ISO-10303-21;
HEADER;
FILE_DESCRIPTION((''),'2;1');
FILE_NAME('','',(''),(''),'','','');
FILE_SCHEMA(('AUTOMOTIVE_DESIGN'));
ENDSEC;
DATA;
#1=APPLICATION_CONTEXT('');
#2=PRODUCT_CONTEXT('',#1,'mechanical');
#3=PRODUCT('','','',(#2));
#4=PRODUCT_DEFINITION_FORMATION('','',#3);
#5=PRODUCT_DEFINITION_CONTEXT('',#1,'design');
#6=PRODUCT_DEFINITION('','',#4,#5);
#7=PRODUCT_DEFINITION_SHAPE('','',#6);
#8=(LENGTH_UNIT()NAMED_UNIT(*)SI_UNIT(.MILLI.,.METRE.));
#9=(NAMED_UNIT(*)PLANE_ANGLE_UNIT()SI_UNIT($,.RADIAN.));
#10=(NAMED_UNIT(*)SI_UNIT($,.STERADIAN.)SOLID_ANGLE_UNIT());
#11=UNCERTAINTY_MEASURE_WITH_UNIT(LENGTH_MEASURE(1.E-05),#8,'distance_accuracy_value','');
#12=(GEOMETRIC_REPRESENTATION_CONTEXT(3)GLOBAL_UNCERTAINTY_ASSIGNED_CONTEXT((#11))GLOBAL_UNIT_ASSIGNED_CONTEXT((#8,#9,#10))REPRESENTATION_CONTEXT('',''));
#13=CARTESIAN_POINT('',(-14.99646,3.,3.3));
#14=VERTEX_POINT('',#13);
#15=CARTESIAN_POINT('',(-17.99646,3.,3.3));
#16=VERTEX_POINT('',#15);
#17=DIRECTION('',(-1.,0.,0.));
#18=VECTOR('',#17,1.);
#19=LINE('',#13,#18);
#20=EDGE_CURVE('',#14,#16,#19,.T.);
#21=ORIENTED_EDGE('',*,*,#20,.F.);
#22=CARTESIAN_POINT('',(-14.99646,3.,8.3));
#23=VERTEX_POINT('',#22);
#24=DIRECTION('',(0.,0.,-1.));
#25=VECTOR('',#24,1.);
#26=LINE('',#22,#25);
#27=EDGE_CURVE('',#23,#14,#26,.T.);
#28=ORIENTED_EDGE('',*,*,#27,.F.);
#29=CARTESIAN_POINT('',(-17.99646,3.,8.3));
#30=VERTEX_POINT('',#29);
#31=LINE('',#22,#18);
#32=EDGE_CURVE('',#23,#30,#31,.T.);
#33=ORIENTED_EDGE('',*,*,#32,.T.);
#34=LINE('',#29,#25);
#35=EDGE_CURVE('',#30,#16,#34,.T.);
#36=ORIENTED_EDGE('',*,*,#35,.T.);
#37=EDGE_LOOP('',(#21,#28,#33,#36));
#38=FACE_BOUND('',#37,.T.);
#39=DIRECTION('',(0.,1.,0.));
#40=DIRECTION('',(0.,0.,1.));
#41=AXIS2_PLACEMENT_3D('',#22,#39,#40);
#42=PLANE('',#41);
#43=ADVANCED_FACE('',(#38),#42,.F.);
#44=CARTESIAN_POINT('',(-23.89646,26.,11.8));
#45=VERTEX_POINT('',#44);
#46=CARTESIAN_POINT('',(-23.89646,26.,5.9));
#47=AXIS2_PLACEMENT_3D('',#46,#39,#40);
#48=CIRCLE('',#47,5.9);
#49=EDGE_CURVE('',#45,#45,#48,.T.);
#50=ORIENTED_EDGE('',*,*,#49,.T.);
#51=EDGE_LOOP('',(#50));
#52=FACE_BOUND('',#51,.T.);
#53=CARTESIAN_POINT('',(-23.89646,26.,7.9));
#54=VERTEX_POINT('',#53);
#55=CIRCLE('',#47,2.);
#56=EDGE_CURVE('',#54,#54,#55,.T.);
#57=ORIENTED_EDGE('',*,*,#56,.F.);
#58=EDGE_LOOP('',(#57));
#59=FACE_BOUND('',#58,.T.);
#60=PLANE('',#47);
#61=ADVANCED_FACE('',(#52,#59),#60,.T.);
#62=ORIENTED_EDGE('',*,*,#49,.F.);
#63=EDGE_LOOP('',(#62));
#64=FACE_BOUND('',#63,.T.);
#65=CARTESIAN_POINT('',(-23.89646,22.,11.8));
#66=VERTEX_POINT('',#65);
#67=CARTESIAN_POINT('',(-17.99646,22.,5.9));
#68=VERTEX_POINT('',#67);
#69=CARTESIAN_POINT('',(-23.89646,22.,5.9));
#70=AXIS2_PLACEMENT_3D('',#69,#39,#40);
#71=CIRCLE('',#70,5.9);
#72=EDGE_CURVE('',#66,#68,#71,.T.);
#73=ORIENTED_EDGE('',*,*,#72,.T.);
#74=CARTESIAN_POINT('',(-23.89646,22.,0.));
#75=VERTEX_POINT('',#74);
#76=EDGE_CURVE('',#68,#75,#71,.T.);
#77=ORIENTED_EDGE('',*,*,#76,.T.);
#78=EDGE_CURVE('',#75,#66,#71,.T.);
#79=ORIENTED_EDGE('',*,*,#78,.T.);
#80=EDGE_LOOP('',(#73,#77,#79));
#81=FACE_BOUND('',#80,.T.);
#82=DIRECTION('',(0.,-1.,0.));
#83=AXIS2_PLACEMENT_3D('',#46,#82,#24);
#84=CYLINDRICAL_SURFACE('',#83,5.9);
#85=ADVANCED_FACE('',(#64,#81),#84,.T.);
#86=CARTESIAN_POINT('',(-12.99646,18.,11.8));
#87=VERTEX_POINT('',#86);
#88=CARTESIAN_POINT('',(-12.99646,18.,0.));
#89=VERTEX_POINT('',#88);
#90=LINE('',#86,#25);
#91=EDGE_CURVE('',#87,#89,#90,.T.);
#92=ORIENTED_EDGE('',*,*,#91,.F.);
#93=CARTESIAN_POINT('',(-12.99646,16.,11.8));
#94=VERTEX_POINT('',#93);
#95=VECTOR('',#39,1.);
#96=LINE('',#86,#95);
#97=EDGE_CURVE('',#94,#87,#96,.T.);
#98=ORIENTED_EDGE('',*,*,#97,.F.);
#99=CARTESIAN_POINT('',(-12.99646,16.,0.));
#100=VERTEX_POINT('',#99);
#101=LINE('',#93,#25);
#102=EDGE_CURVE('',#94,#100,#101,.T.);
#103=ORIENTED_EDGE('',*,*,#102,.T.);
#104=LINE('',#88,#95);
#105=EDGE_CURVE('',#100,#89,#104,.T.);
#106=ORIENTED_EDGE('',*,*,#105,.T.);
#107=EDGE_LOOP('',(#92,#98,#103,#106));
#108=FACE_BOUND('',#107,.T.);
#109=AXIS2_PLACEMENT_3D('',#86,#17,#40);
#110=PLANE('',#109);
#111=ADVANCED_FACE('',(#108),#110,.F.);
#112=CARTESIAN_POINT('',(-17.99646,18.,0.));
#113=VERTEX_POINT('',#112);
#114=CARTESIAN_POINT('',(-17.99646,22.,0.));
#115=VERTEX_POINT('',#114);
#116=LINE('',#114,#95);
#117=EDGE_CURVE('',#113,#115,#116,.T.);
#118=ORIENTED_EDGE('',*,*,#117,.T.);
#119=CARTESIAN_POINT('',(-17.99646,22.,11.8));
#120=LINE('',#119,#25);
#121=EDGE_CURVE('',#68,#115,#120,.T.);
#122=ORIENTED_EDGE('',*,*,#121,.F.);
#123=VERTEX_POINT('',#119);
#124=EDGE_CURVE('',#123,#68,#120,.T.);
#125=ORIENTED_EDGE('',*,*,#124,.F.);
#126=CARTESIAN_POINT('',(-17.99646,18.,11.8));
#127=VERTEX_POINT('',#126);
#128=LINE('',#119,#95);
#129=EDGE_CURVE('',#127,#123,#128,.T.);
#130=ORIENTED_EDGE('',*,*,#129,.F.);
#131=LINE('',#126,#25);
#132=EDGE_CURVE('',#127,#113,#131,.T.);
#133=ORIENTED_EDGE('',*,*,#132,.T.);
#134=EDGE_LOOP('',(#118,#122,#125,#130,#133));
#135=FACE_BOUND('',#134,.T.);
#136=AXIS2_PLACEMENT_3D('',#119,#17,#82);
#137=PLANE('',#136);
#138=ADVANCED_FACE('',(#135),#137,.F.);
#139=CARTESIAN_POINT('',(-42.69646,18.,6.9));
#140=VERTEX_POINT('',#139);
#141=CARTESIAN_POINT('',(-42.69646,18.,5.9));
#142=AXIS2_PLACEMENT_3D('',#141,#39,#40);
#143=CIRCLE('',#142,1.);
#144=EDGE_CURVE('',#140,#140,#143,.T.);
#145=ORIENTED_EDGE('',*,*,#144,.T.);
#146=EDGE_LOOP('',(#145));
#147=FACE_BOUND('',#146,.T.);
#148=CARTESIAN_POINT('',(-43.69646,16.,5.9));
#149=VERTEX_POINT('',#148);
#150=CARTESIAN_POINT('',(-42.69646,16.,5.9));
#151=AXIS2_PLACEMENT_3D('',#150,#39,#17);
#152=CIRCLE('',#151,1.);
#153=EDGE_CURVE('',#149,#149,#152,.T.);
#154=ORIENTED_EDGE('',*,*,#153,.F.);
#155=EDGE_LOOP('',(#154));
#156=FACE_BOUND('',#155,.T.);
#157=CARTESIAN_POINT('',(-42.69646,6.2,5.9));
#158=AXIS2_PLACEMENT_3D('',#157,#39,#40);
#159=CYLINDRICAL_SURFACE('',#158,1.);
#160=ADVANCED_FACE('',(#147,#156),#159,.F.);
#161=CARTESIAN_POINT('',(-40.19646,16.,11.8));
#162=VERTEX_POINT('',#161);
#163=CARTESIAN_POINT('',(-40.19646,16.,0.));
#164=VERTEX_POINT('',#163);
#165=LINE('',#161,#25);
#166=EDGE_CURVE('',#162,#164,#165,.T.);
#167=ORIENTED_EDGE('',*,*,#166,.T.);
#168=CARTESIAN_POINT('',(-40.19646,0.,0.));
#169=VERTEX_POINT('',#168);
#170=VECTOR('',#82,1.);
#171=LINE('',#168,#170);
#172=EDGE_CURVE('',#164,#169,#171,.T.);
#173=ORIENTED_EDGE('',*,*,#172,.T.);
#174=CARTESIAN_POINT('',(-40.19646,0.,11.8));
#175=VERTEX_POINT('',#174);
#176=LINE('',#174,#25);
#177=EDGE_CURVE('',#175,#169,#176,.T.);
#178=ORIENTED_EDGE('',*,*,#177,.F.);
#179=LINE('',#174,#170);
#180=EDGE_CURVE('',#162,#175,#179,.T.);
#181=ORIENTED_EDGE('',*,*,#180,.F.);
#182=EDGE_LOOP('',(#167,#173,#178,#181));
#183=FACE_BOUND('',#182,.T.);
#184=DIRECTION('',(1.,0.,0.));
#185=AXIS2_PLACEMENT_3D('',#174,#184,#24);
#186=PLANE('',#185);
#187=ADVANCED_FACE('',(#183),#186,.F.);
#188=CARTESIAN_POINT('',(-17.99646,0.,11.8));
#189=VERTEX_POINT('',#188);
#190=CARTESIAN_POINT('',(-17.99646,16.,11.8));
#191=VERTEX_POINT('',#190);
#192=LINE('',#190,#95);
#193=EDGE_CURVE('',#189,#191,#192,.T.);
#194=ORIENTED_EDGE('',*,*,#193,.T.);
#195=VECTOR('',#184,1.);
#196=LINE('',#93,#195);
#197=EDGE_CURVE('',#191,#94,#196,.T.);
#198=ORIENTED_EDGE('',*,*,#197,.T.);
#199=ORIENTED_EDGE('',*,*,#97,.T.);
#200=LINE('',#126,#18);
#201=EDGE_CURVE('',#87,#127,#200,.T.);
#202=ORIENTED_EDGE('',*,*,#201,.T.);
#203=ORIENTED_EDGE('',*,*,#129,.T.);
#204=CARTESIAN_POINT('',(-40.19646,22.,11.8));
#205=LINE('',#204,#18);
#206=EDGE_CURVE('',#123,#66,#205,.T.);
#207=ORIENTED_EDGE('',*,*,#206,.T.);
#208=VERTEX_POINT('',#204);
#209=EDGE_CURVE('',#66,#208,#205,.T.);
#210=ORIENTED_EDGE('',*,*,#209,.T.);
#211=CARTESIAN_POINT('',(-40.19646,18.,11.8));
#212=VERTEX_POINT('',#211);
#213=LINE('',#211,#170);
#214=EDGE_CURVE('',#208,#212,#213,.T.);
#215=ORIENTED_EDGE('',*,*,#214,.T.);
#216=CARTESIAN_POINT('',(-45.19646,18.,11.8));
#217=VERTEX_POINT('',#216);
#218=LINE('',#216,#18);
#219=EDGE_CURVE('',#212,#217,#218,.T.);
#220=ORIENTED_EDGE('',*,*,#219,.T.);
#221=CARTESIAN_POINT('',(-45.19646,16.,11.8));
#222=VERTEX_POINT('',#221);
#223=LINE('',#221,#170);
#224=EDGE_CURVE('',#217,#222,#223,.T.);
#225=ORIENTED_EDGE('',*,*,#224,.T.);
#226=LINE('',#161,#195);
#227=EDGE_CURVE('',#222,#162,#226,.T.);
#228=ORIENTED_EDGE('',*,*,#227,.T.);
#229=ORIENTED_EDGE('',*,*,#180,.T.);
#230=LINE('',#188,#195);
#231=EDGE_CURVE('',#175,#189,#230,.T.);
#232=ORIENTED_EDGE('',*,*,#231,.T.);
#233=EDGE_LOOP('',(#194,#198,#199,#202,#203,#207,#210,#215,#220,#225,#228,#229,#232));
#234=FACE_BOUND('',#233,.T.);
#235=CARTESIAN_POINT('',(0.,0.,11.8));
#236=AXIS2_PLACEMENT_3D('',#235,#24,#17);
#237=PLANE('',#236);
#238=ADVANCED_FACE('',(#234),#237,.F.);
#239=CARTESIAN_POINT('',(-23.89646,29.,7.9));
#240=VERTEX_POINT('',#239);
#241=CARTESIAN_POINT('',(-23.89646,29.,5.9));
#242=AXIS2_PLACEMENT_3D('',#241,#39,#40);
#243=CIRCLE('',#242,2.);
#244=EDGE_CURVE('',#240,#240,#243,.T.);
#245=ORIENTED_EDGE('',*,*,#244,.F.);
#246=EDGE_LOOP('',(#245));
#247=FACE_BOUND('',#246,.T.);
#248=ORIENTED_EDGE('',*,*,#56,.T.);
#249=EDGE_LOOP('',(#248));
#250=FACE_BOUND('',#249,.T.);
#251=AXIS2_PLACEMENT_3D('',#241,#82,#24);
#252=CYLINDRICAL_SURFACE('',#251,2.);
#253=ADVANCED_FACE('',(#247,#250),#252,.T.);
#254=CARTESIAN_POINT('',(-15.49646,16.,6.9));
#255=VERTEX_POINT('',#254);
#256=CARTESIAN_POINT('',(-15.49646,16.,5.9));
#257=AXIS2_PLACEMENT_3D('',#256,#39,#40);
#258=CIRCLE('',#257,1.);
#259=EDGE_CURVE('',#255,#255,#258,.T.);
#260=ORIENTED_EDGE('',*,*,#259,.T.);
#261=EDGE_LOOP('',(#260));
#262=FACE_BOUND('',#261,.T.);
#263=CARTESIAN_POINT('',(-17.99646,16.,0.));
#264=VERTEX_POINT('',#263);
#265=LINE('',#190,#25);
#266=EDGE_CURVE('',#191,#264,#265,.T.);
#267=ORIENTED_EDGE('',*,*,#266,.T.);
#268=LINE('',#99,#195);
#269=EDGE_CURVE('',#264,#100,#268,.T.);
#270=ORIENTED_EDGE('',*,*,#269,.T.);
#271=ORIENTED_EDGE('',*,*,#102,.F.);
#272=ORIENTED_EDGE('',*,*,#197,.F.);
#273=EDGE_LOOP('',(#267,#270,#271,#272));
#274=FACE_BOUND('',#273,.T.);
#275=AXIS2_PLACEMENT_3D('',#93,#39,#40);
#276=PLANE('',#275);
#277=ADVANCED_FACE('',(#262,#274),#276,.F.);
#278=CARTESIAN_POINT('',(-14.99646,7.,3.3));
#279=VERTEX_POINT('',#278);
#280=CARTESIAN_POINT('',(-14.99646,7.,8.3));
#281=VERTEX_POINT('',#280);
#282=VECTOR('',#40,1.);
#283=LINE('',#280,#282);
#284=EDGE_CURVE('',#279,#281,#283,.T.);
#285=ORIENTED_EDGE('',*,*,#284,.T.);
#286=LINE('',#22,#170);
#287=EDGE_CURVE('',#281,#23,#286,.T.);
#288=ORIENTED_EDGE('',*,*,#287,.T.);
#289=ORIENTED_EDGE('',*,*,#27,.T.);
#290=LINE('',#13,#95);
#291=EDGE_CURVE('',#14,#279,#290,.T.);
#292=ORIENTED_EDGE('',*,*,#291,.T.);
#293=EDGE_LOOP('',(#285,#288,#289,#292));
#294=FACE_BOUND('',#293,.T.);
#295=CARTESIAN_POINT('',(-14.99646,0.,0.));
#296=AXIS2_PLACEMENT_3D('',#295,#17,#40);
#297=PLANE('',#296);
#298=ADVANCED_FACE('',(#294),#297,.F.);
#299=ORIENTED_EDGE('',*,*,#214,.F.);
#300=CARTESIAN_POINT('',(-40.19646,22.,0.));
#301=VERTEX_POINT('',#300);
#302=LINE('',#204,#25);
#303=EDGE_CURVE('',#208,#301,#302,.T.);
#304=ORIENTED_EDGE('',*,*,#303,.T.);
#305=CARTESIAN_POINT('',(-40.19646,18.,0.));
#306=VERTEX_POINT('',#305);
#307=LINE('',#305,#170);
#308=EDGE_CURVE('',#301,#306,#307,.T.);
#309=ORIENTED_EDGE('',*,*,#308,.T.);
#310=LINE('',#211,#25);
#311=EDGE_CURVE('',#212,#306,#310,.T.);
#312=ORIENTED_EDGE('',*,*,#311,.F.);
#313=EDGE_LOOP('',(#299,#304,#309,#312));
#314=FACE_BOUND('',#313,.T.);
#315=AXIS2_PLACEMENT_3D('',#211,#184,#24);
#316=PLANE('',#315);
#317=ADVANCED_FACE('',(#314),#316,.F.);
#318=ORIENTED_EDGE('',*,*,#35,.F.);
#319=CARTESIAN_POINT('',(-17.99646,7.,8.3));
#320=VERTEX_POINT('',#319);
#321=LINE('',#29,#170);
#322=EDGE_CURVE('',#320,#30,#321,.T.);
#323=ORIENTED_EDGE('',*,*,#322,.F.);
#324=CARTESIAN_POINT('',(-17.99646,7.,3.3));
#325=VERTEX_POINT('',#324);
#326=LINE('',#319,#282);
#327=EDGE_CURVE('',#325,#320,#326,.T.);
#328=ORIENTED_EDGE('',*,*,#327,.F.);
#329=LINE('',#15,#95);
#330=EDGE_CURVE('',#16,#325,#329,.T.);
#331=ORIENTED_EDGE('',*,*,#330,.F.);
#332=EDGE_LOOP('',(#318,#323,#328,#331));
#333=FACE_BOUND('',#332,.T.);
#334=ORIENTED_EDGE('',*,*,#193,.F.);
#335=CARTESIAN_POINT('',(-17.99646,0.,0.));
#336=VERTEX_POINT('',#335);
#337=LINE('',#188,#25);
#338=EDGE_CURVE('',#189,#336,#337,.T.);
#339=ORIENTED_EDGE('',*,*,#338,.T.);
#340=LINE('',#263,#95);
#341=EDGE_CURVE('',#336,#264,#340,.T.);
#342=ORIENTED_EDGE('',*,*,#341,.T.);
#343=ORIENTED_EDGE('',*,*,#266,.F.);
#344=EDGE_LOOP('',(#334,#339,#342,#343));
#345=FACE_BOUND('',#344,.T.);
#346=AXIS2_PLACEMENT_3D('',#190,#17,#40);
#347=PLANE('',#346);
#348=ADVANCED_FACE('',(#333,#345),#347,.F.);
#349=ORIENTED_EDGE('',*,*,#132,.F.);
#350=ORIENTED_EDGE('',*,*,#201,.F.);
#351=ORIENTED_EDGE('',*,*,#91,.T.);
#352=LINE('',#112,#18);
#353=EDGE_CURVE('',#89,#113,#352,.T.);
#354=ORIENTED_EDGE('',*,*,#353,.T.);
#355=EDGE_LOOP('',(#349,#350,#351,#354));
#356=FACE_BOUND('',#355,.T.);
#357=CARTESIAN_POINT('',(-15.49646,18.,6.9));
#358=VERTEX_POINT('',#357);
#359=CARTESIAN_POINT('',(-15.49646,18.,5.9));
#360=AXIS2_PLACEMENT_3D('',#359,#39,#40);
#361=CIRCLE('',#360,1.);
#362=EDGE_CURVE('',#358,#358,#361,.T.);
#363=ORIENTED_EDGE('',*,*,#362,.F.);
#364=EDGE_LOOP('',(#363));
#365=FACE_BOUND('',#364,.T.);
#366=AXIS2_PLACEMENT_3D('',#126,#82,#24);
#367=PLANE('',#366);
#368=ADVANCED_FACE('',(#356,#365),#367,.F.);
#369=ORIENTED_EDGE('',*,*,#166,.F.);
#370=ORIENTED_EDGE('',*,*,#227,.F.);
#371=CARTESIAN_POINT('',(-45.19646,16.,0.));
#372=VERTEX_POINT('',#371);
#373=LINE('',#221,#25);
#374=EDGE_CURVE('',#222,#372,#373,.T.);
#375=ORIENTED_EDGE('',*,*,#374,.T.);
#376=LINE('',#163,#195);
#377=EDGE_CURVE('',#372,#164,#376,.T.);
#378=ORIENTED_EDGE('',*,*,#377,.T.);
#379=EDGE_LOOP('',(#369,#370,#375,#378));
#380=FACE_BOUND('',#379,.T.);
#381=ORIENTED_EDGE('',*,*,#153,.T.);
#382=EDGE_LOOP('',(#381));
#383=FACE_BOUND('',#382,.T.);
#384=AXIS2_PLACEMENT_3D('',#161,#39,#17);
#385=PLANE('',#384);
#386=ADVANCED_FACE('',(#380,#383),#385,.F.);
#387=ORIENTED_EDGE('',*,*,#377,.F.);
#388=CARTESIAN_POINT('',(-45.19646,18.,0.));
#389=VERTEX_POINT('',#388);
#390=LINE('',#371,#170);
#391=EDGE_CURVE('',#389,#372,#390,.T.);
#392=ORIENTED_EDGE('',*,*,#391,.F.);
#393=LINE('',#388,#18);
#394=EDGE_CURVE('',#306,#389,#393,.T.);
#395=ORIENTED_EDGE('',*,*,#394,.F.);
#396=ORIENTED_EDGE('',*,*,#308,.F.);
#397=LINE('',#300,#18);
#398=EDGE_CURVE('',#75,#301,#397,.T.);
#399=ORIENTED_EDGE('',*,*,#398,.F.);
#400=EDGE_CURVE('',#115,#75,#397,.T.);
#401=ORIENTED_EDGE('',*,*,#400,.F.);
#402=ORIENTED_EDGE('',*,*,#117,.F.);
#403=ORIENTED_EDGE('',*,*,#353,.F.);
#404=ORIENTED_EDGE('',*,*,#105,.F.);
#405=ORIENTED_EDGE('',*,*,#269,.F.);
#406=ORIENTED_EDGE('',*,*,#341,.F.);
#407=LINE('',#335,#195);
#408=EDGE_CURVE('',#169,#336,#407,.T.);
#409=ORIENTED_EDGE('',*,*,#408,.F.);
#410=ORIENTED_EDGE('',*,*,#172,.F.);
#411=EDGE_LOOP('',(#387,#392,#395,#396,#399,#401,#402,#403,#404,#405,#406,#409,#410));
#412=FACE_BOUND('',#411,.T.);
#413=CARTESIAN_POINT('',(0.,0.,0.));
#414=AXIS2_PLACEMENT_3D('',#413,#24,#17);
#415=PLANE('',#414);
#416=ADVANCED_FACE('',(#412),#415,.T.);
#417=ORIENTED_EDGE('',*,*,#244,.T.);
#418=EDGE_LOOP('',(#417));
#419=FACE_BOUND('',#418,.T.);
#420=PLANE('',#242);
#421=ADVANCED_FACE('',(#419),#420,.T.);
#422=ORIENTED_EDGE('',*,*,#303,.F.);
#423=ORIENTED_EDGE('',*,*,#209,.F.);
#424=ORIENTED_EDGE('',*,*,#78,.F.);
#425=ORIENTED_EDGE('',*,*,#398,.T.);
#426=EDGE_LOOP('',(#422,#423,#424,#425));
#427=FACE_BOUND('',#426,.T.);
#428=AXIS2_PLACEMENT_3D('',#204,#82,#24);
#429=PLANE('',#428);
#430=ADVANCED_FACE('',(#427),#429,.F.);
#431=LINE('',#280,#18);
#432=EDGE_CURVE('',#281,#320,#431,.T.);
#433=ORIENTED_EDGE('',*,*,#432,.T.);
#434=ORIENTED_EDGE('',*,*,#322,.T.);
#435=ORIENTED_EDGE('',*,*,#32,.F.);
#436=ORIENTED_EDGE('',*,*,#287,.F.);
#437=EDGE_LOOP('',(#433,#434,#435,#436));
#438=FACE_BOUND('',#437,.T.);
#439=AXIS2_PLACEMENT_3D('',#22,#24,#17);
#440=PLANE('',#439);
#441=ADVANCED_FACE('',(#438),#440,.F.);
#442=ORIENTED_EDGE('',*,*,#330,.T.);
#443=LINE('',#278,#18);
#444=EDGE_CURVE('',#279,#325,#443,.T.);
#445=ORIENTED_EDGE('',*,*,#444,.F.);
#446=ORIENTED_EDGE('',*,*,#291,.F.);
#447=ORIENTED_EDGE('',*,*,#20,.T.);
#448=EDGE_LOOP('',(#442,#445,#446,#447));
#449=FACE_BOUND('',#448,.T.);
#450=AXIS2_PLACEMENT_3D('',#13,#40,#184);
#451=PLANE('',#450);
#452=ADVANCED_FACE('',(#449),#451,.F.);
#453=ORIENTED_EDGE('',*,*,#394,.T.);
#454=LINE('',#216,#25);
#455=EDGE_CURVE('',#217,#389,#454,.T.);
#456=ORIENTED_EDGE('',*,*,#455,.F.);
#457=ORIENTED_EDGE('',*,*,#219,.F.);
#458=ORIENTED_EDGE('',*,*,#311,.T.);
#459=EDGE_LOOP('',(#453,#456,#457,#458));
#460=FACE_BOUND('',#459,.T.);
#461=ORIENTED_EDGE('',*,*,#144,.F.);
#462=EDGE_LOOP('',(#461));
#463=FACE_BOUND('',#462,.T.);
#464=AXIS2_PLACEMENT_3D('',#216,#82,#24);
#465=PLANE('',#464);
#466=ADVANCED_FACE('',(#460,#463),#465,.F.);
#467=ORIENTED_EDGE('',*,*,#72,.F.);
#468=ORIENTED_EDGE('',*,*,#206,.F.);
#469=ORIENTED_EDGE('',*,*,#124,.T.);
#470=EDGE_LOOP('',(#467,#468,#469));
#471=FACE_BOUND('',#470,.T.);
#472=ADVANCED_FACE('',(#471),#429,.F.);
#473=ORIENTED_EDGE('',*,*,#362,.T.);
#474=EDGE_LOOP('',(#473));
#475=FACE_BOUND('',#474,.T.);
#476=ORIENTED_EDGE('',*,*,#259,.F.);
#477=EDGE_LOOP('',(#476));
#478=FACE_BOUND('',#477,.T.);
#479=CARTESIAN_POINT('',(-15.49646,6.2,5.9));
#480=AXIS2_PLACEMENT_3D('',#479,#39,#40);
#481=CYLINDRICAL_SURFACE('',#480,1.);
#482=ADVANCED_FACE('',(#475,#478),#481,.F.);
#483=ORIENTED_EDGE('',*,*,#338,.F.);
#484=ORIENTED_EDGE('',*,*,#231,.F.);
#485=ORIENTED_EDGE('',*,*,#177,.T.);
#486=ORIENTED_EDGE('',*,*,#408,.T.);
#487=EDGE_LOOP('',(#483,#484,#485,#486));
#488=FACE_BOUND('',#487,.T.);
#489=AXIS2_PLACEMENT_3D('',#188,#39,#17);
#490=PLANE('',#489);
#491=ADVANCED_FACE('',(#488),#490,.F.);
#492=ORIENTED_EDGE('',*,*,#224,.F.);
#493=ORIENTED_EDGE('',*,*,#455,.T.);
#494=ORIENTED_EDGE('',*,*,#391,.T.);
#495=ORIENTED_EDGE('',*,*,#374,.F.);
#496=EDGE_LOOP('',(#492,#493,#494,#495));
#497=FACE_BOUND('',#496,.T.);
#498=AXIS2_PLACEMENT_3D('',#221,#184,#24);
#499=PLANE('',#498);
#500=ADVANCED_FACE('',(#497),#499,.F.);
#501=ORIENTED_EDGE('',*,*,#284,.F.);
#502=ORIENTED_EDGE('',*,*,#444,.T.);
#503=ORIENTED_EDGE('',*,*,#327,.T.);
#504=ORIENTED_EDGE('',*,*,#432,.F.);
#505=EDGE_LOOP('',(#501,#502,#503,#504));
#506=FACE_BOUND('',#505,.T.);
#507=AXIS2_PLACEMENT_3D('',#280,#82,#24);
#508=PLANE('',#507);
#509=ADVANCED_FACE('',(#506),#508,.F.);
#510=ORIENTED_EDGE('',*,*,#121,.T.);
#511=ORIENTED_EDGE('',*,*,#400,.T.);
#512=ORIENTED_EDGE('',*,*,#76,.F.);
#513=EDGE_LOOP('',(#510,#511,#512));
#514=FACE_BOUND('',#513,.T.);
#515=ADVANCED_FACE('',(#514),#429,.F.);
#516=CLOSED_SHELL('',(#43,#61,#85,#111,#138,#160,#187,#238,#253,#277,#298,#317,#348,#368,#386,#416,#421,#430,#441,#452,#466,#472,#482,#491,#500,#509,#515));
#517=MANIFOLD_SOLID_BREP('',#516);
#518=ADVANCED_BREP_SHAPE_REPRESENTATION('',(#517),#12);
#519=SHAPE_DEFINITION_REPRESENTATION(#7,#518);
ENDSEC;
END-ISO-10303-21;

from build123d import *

# Parameters (mm, degrees)
BOSS_EXTRU_1_DEPTH      = 11.8
ESQUISSE2_R             = 1
ENL_V_MAT_EXTRU_1_DEPTH = 11.8
ESQUISSE3_R             = 5.9
BOSS_EXTRU_2_DEPTH      = 4
ESQUISSE4_R             = 2
BOSS_EXTRU_3_DEPTH      = 3
ESQUISSE5_W             = 5
ESQUISSE5_H             = 4
BOSS_EXTRU_4_DEPTH      = 3


with BuildPart() as part:
    # Esquisse1 → Boss.-Extru.1 (new body)
    with BuildSketch(Plane.XY):
        Polygon((-45.196459949, 18), (-40.196459949, 18), (-40.196459949, 22), (-17.996459949, 22), (-17.996459949, 18), (-12.996459949, 18), (-12.996459949, 16), (-17.996459949, 16), (-17.996459949, 0), (-40.196459949, 0), (-40.196459949, 16), (-45.196459949, 16), align=None)
    extrude(amount=BOSS_EXTRU_1_DEPTH)

    # Esquisse2 → Enlèv. mat.-Extru.1 (cut)
    with BuildSketch(Plane(origin=(0, 18, 0), x_dir=(1, 0, 0), z_dir=(0, 1, 0))):
        with Locations((-42.696459949, -5.9)):
            Circle(ESQUISSE2_R)
        with Locations((-15.496459949, -5.9)):
            Circle(ESQUISSE2_R)
    extrude(amount=-ENL_V_MAT_EXTRU_1_DEPTH, mode=Mode.SUBTRACT)

    # Esquisse3 → Boss.-Extru.2 (add)
    with BuildSketch(Plane(origin=(0, 22, 0), x_dir=(1, 0, 0), z_dir=(0, 1, 0))):
        with Locations((-23.896459949, -5.9)):
            Circle(ESQUISSE3_R)
    extrude(amount=BOSS_EXTRU_2_DEPTH)

    # Esquisse4 → Boss.-Extru.3 (add)
    with BuildSketch(Plane(origin=(0, 26, 0), x_dir=(1, 0, 0), z_dir=(0, 1, 0))):
        with Locations((-23.896459949, -5.9)):
            Circle(ESQUISSE4_R)
    extrude(amount=BOSS_EXTRU_3_DEPTH)

    # Esquisse5 → Boss.-Extru.4 (add)
    with BuildSketch(Plane(origin=(-17.996459949, 0, 0), x_dir=(0, 0, -1), z_dir=(1, 0, 0))):
        with Locations((-5.8, 5)):
            Rectangle(ESQUISSE5_W, ESQUISSE5_H)
    extrude(amount=BOSS_EXTRU_4_DEPTH)


solid = part.part
